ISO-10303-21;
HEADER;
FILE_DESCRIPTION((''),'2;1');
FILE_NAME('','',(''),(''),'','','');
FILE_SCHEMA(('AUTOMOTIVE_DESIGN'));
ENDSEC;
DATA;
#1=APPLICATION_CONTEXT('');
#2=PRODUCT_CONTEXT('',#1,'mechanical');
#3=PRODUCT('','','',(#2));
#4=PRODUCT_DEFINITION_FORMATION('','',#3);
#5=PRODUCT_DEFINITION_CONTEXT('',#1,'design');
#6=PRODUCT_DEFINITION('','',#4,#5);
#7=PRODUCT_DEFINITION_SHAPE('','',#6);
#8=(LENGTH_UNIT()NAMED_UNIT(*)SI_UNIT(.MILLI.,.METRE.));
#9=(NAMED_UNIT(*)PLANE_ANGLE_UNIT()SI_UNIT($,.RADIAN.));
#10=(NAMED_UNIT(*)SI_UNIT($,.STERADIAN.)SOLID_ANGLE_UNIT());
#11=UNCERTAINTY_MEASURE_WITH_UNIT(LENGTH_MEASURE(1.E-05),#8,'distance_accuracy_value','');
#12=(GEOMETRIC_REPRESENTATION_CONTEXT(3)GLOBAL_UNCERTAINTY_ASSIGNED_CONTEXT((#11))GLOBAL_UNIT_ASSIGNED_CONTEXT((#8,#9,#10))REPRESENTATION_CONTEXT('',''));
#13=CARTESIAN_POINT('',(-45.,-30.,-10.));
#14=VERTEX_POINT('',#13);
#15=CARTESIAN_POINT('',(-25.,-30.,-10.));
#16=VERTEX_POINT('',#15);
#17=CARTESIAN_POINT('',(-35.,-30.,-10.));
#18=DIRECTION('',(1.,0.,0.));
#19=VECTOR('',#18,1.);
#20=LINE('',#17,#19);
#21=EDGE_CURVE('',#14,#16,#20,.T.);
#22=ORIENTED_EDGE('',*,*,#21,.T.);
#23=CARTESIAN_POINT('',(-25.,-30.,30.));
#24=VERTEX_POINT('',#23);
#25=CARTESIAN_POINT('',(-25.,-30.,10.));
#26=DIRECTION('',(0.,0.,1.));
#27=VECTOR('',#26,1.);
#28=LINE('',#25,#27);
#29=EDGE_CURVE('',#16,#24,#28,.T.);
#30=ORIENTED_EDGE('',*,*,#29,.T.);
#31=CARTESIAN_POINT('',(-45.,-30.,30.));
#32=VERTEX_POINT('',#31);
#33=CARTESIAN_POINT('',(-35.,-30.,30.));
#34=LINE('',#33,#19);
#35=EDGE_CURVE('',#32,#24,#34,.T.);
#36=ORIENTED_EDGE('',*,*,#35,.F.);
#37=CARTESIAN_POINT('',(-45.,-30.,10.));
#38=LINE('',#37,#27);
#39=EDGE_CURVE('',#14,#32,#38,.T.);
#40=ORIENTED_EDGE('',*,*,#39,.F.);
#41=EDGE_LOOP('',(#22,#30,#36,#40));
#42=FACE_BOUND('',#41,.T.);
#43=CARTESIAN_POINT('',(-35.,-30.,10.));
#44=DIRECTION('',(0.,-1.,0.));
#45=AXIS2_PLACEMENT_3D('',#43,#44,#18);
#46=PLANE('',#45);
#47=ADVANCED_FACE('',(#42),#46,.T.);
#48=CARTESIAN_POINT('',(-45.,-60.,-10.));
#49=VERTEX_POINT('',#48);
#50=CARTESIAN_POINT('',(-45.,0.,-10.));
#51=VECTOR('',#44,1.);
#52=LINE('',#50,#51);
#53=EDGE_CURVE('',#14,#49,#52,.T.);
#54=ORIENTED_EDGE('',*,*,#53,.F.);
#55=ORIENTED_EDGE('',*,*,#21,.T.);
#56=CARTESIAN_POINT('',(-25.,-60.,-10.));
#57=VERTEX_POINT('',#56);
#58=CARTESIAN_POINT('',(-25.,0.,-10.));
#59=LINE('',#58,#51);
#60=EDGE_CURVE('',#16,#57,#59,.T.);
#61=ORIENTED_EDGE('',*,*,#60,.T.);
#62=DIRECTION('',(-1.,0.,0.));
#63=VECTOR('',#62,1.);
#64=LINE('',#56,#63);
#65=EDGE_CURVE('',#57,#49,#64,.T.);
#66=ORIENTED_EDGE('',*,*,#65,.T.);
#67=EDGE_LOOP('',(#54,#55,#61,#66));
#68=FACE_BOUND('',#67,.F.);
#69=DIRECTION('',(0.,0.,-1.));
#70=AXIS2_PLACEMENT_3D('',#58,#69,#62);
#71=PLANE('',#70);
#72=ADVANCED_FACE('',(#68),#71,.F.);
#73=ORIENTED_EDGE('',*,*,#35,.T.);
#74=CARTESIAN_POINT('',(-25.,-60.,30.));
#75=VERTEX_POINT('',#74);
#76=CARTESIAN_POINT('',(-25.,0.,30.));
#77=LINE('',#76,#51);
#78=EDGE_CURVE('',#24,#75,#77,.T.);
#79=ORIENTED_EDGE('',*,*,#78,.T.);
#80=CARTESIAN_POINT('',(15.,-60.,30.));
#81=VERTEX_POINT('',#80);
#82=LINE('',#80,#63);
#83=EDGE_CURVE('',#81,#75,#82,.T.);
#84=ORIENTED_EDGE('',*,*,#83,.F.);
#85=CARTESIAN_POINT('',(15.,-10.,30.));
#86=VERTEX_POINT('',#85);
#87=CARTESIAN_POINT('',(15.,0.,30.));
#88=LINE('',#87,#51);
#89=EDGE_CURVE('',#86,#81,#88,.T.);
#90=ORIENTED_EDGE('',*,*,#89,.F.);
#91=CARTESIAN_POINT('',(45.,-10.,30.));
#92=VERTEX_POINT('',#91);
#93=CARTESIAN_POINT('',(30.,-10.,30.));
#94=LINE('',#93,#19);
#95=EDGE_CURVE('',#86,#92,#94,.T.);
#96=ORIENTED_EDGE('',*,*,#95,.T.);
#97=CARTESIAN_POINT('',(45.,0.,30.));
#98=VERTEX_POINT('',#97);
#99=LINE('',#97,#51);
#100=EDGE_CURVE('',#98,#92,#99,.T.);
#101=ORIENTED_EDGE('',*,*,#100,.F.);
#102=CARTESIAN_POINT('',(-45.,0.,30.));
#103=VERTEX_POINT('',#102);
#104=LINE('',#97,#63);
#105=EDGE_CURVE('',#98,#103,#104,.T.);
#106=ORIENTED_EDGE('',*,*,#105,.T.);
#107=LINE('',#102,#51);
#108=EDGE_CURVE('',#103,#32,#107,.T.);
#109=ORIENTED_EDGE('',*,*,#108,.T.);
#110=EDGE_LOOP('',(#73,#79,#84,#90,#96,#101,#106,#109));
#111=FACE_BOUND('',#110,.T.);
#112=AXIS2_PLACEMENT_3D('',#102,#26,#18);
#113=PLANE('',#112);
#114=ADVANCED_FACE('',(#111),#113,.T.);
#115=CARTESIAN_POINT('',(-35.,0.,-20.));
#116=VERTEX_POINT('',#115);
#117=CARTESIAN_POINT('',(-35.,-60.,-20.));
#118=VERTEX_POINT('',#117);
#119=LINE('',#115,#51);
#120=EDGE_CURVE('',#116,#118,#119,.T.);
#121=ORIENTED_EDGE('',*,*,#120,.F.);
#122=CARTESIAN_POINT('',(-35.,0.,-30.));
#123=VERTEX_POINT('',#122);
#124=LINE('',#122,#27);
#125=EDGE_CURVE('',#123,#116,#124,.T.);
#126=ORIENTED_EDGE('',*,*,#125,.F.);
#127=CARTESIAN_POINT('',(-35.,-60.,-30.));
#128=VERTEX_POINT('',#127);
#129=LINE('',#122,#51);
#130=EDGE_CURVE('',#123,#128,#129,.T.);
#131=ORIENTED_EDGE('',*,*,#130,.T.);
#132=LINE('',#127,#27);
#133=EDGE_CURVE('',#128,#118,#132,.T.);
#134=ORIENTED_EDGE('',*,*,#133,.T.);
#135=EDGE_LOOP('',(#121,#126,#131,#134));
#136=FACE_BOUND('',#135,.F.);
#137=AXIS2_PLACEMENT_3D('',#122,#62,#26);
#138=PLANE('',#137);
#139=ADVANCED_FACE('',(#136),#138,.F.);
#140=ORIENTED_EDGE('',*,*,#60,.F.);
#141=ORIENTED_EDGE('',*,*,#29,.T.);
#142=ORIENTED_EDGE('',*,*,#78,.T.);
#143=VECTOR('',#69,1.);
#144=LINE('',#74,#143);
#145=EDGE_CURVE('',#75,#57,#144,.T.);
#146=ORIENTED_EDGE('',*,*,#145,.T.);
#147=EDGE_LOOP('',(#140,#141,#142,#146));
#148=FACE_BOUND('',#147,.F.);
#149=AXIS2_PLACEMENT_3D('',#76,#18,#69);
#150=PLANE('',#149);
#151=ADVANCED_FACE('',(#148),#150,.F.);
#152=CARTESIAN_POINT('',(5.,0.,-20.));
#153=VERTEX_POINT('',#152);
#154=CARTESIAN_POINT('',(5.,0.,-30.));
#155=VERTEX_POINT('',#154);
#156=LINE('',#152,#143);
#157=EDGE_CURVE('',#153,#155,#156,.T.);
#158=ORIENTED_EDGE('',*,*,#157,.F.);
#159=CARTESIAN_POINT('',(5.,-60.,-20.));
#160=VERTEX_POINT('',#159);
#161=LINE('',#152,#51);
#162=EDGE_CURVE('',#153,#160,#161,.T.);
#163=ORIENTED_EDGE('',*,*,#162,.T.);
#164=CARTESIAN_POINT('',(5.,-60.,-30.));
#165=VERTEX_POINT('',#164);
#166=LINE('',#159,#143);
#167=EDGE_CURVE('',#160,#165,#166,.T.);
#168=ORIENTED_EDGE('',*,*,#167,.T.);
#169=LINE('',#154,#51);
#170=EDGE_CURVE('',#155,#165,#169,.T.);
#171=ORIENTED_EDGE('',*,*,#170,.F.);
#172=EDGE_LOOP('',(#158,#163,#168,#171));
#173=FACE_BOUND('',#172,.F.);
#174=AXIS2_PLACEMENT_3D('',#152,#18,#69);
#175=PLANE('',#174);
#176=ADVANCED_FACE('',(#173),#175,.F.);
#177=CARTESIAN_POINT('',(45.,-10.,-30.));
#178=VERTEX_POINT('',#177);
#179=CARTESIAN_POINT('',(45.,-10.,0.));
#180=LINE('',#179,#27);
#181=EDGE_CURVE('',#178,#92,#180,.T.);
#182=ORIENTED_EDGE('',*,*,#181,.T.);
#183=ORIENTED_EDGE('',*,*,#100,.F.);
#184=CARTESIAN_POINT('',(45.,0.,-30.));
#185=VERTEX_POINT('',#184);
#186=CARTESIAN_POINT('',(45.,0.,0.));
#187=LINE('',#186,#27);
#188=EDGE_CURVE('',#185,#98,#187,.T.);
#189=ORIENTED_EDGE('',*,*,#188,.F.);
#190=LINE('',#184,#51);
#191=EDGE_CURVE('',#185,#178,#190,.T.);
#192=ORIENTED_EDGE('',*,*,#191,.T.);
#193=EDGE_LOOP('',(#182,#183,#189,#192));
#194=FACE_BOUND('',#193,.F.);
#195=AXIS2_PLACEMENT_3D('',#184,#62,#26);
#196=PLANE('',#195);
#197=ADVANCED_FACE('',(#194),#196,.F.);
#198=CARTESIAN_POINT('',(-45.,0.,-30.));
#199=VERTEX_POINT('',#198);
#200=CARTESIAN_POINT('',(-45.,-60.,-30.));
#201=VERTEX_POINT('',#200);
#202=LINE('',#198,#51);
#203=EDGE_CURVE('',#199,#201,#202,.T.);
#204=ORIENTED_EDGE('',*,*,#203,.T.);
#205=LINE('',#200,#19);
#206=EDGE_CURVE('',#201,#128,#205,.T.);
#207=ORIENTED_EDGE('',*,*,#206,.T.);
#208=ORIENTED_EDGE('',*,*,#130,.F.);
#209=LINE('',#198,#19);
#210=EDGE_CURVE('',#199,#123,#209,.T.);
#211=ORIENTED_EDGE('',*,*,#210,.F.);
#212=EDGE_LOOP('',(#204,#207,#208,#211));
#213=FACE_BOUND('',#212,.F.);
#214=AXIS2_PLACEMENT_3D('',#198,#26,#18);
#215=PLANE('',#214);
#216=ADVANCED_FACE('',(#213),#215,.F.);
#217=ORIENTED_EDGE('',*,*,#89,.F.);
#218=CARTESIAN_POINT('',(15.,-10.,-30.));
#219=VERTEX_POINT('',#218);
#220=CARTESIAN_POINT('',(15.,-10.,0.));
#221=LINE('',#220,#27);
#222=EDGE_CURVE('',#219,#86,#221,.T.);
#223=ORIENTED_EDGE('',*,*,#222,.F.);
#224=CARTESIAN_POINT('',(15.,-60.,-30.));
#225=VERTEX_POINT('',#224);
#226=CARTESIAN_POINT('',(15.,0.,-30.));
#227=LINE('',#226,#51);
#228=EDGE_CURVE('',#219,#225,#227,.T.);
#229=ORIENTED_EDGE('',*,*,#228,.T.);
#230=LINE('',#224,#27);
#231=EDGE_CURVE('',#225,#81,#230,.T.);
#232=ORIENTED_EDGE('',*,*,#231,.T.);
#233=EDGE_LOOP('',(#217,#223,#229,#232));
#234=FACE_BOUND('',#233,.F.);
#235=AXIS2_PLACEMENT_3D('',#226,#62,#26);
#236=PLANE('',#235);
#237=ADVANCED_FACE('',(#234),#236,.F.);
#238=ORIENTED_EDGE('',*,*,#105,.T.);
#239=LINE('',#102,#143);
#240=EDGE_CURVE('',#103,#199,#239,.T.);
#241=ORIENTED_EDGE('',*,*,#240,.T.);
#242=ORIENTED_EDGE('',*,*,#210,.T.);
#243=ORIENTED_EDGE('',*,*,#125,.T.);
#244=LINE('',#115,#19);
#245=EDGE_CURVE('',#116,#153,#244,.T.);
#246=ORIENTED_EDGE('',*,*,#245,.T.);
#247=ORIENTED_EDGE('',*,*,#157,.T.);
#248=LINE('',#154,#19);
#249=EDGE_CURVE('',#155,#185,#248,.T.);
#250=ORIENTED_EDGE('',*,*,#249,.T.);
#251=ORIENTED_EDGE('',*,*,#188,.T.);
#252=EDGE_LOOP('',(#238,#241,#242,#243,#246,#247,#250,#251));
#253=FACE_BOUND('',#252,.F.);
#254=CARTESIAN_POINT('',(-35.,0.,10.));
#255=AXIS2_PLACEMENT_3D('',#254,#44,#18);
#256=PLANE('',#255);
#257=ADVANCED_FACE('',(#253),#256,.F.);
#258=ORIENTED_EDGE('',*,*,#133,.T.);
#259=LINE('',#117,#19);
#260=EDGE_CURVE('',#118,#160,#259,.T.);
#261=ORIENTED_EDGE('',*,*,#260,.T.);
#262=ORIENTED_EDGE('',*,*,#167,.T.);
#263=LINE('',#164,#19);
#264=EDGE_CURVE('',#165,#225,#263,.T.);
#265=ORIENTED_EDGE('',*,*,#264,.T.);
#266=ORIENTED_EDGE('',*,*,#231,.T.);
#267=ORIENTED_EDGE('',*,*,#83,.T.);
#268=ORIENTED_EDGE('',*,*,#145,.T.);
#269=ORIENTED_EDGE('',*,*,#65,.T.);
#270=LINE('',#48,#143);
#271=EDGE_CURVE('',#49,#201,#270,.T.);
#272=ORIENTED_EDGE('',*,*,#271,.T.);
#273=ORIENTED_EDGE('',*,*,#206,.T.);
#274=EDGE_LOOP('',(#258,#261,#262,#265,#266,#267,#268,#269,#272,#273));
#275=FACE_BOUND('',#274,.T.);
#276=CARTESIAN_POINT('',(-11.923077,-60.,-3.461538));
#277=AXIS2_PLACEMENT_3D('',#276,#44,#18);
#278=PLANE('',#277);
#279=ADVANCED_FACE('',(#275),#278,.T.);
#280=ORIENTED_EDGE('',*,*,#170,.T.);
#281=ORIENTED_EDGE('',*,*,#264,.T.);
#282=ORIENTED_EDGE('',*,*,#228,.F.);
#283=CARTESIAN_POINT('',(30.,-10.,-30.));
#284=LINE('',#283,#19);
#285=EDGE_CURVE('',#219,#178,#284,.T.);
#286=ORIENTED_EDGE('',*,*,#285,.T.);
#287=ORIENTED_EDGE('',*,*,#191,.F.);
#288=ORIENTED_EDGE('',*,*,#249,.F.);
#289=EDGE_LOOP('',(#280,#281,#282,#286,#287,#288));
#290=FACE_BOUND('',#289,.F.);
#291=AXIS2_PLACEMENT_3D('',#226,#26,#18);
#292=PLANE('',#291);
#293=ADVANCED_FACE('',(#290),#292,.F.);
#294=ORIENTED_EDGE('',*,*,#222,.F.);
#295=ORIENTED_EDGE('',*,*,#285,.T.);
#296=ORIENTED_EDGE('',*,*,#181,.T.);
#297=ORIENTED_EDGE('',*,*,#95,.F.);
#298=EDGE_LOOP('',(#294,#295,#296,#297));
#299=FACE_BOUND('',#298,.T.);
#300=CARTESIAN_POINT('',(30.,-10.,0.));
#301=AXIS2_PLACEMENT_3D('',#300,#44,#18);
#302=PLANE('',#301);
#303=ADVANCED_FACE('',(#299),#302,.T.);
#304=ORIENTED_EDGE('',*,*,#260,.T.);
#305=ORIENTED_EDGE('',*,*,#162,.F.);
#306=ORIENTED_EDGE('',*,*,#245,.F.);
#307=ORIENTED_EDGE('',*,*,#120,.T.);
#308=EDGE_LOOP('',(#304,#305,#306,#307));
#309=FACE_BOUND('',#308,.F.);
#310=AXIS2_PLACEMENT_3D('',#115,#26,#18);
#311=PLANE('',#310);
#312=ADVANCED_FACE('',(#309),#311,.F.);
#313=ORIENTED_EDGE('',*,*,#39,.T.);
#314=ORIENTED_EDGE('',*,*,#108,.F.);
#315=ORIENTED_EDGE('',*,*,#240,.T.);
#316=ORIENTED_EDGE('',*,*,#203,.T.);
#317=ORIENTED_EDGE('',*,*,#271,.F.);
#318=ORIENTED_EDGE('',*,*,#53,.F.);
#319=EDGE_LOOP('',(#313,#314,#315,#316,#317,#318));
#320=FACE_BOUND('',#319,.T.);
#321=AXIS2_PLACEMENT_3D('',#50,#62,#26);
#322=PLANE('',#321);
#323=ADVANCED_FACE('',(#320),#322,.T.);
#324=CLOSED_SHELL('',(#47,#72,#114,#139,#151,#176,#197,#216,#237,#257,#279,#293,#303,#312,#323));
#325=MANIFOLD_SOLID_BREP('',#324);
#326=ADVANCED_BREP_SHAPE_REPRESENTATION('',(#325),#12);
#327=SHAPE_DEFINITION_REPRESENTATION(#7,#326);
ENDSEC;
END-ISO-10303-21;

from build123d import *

# Parameters (mm, degrees)
F1_DEPTH = 60
F0_W     = 30
F0_H     = 60
F2_DEPTH = 10
F0_W_2   = 20
F0_H_2   = 40
F3_DEPTH = 30


with BuildPart() as f1:
    # F0 (on Front) → F1 (new body)
    with BuildSketch(Plane.XZ):
        Polygon((15, -30), (15, 30), (-25, 30), (-25, -10), (-45, -10), (-45, -30), (-35, -30), (-35, -20), (5, -20), (5, -30), align=None)
    extrude(amount=F1_DEPTH)

    # F0 (on Front) → F2 (join)
    with BuildSketch(Plane.XZ):
        with Locations((30, 0)):
            Rectangle(F0_W, F0_H)
    extrude(amount=F2_DEPTH)

    # F0 (on Front) → F3 (join)
    with BuildSketch(Plane.XZ):
        with Locations((-35, 10)):
            Rectangle(F0_W_2, F0_H_2)
    extrude(amount=F3_DEPTH)


solid = f1.part
